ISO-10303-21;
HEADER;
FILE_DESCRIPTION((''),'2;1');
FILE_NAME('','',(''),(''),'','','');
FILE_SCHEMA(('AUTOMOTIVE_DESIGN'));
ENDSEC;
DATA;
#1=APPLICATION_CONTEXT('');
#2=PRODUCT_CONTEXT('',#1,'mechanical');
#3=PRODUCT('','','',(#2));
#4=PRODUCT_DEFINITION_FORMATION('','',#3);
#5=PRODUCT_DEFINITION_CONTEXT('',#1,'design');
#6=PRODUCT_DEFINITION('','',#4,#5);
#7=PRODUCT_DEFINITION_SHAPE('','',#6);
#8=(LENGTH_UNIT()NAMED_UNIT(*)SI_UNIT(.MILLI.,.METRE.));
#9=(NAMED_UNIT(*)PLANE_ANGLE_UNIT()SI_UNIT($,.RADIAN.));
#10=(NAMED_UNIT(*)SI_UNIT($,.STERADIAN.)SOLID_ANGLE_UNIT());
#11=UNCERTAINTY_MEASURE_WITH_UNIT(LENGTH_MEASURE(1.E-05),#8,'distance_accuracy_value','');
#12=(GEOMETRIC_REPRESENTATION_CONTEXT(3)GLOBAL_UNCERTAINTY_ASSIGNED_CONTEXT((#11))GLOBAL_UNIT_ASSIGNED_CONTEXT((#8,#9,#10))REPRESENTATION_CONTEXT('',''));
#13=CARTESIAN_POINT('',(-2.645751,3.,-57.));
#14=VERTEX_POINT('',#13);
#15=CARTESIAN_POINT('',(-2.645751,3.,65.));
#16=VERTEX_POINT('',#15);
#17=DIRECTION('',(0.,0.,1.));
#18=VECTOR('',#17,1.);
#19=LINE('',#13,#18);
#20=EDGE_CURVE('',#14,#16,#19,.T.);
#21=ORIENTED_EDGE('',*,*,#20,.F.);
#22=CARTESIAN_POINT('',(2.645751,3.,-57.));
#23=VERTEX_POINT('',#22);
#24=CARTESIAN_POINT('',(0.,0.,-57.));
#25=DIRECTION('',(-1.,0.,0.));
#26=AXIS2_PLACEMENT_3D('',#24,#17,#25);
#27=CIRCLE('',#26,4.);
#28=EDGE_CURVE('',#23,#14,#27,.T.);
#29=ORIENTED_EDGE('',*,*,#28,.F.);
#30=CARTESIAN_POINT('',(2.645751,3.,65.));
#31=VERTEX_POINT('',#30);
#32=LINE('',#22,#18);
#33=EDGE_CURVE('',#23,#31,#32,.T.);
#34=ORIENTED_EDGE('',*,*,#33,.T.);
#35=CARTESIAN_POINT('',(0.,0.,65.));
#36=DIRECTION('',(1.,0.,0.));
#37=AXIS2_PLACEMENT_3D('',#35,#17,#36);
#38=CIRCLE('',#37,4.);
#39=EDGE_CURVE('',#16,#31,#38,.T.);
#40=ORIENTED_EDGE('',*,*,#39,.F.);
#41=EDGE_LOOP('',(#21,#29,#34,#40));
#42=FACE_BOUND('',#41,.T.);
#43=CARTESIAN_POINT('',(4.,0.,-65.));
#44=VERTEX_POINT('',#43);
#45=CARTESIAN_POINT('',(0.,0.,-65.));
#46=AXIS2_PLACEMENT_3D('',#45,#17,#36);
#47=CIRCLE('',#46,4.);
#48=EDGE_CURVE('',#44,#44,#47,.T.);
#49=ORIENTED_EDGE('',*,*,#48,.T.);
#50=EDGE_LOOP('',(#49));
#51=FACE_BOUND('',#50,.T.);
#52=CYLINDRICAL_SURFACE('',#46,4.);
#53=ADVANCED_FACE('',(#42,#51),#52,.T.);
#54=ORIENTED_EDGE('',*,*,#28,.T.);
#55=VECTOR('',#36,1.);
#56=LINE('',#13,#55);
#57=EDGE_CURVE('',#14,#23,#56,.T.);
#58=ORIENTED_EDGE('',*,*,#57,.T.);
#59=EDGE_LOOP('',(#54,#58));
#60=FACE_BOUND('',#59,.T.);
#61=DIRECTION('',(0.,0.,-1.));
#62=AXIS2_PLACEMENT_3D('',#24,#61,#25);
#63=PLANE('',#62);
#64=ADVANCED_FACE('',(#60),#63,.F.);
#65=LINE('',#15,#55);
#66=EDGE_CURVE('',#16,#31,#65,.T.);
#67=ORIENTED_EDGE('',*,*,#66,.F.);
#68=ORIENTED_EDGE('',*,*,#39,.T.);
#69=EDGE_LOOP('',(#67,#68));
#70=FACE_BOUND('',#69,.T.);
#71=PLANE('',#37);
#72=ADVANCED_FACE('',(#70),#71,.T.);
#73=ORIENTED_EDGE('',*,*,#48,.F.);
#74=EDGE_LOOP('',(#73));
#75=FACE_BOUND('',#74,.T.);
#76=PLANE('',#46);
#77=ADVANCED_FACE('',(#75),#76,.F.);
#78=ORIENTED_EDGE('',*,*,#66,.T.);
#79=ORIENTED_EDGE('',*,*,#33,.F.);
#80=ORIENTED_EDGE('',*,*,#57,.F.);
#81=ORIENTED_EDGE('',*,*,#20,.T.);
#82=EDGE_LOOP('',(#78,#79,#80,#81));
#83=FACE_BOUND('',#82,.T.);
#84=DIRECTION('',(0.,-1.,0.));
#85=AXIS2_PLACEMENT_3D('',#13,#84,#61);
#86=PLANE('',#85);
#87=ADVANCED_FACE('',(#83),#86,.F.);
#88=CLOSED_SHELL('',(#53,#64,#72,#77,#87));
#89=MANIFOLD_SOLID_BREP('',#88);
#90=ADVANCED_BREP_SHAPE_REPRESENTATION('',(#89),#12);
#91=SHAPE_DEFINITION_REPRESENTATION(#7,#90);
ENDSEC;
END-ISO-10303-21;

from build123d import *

# Parameters (mm, degrees)
BOSS_EXTRUDE1_DEPTH      = 65
BOSS_EXTRUDE1_DEPTH_BACK = 65
SKETCH1_R                = 4
CUT_EXTRUDE1_DEPTH       = 122


with BuildPart() as part:
    # Sketch1 → Boss-Extrude1 (new, two sides: drawn at the far end of the back side and taken through both)
    with BuildSketch(Plane.XY.offset(-BOSS_EXTRUDE1_DEPTH_BACK)):
        Circle(SKETCH1_R)
    extrude(amount=BOSS_EXTRUDE1_DEPTH + BOSS_EXTRUDE1_DEPTH_BACK)

    # Sketch2 → Cut-Extrude1 (cut)
    with BuildSketch(Plane.XY.offset(65)):
        with BuildLine():
            Line((-2.645751311, 3), (2.645751311, 3))
            ThreePointArc((2.645751311, 3), (0, 4), (-2.645751311, 3))
        make_face()
    extrude(amount=-CUT_EXTRUDE1_DEPTH, mode=Mode.SUBTRACT)


solid = part.part
